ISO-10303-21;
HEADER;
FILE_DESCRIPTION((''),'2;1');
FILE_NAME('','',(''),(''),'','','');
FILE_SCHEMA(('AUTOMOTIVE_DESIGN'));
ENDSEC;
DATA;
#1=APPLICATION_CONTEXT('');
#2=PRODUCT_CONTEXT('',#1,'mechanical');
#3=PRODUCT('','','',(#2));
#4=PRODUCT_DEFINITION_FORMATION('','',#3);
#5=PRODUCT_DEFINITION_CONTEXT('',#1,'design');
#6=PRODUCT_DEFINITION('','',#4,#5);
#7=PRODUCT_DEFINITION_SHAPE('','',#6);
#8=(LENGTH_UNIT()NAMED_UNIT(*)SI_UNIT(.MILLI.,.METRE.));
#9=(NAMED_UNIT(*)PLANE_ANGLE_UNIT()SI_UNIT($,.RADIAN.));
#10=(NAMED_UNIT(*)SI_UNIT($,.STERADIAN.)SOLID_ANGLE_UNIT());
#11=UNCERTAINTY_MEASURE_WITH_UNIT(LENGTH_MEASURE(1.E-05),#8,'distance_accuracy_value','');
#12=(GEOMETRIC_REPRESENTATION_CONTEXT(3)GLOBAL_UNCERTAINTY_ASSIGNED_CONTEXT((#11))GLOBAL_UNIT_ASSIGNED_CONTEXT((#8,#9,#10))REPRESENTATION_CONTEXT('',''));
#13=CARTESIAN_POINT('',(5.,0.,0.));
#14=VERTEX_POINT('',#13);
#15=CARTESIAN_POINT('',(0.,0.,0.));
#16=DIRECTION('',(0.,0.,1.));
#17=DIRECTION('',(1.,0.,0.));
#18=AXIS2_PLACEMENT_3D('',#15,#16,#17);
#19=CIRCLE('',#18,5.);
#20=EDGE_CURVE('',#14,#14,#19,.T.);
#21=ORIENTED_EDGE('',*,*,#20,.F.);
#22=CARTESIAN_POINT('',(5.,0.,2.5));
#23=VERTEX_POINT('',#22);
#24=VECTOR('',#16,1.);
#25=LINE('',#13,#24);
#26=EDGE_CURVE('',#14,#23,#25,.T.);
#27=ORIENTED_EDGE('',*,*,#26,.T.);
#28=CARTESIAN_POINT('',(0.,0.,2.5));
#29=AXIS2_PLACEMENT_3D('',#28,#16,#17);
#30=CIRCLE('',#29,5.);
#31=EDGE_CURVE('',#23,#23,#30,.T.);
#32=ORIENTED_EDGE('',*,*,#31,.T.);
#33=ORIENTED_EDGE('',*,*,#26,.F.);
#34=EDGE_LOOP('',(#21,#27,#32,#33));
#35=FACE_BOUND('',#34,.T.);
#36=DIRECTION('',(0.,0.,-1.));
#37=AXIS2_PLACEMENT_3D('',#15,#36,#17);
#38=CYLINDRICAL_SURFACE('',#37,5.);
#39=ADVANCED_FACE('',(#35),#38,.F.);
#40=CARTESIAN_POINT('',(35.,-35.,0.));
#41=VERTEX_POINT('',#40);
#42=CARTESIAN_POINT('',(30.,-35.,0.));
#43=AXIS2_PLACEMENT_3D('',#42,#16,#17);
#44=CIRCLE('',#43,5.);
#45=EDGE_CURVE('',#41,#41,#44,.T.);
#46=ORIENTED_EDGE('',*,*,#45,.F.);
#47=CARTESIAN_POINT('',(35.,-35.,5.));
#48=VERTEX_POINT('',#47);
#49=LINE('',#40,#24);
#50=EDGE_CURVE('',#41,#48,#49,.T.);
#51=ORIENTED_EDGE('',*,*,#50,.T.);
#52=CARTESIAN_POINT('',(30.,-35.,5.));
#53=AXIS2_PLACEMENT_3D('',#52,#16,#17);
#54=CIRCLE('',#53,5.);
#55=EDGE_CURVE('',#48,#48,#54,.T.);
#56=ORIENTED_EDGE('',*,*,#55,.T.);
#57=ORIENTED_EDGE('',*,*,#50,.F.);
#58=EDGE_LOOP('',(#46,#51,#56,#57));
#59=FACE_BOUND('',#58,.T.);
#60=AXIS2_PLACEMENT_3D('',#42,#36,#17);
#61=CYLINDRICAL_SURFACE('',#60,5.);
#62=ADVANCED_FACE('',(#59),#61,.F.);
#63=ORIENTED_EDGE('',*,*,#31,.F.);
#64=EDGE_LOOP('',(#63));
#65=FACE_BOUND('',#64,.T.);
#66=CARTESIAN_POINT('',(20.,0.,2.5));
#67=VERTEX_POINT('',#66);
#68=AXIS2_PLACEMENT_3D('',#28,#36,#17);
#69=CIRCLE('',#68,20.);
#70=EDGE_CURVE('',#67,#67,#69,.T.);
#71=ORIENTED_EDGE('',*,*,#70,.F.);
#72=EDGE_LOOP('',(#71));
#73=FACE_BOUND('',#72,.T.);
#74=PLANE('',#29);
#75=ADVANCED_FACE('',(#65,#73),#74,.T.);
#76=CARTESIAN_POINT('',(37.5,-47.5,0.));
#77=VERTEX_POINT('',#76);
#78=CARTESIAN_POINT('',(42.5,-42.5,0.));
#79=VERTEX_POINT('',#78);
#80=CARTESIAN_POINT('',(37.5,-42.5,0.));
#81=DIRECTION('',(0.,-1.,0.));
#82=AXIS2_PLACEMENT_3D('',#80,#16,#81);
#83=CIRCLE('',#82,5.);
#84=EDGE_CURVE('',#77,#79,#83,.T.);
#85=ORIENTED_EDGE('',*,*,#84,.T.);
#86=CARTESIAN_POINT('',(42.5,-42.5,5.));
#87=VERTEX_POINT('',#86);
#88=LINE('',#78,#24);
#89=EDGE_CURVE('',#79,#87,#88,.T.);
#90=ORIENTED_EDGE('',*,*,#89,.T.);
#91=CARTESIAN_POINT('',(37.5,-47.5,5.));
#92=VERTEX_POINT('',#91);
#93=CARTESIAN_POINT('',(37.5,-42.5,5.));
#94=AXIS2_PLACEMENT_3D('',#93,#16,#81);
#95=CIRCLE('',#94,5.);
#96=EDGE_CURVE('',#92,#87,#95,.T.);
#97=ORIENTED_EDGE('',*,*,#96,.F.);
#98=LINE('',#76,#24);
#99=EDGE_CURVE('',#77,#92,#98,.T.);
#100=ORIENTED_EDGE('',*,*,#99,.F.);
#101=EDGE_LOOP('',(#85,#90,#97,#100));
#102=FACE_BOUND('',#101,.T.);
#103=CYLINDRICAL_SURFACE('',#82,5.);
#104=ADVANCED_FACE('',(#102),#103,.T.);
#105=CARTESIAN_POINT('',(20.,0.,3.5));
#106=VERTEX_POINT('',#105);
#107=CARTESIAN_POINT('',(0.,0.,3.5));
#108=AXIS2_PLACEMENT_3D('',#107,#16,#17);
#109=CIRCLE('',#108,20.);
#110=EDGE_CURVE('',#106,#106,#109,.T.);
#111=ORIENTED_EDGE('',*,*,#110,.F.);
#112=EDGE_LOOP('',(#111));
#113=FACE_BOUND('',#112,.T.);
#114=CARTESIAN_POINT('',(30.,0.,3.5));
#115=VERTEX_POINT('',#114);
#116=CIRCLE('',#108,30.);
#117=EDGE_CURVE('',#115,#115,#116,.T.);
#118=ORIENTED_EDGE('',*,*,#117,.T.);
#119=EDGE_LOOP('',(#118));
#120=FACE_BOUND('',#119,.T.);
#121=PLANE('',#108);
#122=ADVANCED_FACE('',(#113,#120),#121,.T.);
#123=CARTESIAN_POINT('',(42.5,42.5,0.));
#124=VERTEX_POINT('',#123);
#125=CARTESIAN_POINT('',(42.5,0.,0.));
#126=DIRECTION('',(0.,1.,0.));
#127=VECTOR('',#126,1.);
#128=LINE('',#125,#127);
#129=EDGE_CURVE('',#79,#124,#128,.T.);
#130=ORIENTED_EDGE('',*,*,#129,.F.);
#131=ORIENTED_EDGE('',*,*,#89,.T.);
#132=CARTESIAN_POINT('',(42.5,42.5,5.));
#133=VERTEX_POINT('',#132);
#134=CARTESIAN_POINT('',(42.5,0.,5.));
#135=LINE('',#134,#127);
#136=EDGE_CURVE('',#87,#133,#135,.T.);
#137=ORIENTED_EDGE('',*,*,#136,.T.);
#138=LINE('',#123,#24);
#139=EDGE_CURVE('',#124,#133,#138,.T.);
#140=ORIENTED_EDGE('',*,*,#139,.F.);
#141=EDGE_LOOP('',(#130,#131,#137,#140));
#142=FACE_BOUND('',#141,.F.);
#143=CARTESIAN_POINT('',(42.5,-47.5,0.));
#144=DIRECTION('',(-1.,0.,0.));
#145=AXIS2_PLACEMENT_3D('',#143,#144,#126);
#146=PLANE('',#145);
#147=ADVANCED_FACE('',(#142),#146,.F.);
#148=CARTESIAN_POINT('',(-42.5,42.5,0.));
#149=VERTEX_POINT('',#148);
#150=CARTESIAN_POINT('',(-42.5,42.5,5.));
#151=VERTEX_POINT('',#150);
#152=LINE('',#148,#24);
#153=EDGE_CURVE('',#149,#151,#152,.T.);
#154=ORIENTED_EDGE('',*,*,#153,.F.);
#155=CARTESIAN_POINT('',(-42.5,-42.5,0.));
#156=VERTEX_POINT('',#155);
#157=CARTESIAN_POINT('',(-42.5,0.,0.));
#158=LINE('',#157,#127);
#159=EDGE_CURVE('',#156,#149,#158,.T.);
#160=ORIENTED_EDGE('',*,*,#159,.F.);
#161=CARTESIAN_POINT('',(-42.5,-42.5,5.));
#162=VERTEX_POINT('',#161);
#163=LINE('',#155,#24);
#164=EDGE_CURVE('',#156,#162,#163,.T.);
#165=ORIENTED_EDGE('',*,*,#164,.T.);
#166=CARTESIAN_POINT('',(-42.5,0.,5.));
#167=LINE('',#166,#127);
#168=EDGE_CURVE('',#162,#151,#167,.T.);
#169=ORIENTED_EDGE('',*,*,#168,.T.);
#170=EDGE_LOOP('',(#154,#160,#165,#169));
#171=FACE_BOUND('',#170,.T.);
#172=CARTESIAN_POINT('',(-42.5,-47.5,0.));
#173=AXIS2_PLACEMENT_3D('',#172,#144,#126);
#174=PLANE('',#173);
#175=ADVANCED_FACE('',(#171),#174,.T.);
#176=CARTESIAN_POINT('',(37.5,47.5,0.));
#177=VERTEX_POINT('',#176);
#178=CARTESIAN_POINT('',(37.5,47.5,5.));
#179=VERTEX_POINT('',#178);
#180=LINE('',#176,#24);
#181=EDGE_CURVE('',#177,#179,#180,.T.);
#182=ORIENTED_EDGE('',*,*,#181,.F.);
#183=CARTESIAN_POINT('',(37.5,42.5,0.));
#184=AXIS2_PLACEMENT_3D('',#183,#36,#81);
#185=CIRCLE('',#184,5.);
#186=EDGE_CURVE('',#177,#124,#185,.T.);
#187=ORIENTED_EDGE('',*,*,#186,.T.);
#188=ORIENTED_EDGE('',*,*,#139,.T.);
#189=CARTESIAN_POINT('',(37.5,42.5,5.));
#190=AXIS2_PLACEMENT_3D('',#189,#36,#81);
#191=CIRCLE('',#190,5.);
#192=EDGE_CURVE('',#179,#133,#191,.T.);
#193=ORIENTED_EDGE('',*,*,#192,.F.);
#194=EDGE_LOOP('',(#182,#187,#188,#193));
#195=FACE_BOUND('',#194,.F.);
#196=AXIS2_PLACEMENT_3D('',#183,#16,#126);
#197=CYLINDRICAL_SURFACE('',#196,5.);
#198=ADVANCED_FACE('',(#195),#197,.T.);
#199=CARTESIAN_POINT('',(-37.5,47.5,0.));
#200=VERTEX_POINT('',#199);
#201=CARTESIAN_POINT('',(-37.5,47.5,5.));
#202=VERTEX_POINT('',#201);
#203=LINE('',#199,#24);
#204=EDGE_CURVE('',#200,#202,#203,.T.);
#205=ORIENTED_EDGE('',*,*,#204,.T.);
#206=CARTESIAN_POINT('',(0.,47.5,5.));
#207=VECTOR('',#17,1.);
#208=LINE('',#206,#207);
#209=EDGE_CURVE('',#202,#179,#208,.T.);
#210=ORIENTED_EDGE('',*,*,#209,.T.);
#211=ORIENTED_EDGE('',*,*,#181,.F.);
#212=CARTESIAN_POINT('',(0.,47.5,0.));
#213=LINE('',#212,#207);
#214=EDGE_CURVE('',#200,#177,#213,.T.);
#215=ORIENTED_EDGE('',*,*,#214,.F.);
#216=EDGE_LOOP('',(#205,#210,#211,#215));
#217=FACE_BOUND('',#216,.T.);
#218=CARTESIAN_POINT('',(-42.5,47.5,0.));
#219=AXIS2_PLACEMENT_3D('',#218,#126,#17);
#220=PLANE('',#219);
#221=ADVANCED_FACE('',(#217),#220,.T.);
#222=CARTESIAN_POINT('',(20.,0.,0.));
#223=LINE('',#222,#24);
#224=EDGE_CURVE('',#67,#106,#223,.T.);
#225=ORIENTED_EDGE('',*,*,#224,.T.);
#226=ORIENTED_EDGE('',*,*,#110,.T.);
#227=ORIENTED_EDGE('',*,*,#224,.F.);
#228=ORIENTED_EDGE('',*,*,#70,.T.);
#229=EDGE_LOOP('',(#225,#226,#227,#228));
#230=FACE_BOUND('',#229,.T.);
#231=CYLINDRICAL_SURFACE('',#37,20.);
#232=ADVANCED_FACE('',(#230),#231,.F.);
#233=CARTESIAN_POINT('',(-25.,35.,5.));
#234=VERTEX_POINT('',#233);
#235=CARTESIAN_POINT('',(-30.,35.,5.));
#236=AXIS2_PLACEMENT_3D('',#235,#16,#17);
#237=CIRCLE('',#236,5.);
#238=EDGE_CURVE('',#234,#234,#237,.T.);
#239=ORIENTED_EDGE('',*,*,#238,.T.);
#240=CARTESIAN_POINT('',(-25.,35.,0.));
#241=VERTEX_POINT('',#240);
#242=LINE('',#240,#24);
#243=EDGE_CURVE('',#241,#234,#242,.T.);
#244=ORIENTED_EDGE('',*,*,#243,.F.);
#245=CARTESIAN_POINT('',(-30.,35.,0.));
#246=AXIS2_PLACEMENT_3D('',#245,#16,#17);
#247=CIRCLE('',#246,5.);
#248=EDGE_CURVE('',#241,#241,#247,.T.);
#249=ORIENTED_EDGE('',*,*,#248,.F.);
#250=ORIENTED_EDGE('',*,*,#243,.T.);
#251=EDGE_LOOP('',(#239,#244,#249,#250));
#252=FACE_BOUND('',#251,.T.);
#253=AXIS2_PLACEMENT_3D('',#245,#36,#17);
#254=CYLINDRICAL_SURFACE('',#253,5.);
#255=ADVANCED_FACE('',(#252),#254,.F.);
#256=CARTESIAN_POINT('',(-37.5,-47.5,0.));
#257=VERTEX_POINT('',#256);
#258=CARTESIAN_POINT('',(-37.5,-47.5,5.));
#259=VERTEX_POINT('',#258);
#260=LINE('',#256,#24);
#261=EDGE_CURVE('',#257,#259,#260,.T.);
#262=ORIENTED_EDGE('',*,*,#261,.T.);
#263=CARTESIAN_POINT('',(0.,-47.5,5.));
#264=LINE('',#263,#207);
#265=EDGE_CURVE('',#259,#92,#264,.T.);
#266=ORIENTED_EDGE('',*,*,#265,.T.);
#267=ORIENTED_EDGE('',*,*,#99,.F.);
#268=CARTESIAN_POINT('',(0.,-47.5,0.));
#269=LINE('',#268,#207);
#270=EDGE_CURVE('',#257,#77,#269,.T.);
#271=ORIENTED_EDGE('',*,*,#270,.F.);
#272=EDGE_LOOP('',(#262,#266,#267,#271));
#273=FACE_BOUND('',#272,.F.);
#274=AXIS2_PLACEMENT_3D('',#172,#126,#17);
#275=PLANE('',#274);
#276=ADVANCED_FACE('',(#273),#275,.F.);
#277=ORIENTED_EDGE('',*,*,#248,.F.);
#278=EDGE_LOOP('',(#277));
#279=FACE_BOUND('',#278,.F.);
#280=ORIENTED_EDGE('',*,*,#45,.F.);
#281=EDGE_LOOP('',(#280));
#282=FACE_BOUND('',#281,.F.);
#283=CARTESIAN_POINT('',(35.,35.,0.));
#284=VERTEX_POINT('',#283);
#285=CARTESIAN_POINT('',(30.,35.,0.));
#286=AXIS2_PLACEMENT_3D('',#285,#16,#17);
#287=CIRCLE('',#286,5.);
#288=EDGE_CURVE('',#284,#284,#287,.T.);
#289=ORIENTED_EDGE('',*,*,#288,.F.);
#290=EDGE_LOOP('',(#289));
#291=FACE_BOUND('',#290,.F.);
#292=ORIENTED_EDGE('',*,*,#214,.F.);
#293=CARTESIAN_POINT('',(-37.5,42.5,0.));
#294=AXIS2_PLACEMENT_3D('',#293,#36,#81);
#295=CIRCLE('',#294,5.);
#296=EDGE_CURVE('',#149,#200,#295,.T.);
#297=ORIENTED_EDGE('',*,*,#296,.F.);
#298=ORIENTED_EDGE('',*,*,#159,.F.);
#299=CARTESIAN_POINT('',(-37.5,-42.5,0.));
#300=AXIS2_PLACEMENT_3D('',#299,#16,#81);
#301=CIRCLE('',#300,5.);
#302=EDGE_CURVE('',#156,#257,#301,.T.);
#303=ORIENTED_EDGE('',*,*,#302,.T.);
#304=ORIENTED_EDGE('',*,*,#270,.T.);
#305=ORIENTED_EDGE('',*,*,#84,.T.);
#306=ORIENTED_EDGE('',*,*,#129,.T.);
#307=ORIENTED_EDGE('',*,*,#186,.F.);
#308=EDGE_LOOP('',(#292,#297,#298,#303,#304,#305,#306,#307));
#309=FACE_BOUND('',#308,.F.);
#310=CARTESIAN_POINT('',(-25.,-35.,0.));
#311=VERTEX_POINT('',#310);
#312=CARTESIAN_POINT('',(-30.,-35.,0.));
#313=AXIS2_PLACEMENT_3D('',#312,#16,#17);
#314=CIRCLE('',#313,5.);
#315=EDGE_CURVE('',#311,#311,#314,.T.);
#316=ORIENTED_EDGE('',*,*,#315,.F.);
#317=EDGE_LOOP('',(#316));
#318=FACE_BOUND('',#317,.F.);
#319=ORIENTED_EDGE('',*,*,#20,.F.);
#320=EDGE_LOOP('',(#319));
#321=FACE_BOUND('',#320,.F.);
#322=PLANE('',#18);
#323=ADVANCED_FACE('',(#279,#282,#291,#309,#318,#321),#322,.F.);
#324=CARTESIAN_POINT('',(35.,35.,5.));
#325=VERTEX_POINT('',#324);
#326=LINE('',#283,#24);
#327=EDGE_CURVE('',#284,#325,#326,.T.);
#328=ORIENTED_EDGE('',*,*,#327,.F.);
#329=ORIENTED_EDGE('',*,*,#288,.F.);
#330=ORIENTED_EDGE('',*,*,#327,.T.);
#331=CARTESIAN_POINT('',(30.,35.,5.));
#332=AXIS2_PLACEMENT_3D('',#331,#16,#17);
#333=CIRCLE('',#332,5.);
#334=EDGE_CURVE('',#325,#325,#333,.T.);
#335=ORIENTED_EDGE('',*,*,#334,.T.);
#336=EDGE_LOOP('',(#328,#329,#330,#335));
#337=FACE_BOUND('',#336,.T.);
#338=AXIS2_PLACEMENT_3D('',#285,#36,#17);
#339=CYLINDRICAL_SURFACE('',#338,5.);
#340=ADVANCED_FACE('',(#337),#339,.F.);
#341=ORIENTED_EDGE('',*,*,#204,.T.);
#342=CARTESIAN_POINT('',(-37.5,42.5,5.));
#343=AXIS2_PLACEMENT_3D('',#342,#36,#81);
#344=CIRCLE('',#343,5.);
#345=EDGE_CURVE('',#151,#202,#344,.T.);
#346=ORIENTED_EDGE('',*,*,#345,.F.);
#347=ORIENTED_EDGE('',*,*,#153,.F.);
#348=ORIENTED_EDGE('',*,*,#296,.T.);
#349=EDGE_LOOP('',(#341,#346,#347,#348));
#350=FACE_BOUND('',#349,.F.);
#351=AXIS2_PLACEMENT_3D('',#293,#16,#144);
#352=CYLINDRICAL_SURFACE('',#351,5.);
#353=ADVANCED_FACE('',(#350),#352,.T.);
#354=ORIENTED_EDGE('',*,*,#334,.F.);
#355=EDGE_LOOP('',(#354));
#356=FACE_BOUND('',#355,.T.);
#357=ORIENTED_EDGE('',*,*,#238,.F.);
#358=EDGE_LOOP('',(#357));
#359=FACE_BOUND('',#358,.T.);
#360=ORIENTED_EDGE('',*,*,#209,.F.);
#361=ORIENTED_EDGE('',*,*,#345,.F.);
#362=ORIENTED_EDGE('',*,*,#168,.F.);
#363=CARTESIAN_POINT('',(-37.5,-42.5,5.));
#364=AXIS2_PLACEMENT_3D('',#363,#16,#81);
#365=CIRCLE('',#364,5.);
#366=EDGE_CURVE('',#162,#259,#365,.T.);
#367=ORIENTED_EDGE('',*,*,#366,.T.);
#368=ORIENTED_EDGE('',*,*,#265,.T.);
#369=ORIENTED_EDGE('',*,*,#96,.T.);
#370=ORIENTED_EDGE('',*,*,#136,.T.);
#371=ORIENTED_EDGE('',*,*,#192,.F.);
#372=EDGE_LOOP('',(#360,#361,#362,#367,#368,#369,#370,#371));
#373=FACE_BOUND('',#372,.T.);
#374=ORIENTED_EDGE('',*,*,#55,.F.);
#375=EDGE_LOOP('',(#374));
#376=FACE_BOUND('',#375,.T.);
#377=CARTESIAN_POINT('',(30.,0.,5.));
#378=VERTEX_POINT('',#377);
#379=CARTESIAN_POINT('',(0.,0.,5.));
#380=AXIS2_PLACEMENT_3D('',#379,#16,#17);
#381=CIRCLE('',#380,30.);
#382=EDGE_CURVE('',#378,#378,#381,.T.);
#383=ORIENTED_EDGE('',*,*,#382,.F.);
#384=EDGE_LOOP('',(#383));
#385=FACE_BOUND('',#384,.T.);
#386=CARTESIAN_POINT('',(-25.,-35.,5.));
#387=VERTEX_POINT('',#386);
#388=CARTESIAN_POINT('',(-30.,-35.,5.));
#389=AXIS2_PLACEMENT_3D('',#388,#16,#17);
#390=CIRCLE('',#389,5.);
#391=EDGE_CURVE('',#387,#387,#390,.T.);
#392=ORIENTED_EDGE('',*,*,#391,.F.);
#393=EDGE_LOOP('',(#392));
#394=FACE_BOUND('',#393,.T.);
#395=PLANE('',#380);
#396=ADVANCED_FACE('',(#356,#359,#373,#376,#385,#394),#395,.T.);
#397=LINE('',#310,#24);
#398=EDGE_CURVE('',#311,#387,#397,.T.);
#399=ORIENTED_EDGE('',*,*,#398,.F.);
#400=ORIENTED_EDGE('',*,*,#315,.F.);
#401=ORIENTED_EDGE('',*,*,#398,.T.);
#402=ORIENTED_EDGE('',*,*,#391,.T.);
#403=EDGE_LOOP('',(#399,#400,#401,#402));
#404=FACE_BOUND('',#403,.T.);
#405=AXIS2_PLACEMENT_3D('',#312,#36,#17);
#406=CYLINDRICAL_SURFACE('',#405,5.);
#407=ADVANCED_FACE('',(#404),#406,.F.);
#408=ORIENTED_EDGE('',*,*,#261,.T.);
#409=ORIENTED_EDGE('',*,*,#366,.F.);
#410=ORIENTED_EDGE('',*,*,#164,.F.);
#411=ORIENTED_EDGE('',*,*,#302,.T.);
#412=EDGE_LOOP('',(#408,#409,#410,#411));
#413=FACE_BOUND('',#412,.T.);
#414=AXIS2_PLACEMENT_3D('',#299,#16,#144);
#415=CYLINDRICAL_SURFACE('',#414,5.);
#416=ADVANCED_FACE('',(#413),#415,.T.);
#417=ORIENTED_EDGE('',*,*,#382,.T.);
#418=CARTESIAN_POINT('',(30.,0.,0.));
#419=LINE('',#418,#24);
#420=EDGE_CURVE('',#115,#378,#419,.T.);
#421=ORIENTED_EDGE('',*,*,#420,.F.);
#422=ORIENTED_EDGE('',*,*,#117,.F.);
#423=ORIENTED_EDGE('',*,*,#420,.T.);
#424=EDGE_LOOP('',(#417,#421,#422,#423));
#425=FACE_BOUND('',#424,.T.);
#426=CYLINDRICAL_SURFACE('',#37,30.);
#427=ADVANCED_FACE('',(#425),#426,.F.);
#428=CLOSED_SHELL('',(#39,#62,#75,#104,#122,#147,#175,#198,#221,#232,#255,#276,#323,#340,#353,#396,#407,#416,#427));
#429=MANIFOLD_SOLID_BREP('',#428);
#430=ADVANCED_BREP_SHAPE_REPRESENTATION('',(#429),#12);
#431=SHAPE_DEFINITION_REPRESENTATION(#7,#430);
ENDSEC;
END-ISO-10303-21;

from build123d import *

# Parameters (mm, degrees)
F0_W     = 85
F0_H     = 95
F0_R     = 5
F0_R_2   = 30
F1_DEPTH = 5
F0_R_3   = 20
F2_DEPTH = 2.5
F3_DEPTH = 3.5
F4_R     = 5


with BuildPart() as f1:
    # F0 (on Top) → F1 (new body)
    with BuildSketch(Plane.XY):
        Rectangle(F0_W, F0_H)
        with Locations((-30, -35)):
            Circle(F0_R, mode=Mode.SUBTRACT)
        with Locations((30, -35)):
            Circle(F0_R, mode=Mode.SUBTRACT)
        with Locations((-30, 35)):
            Circle(F0_R, mode=Mode.SUBTRACT)
        Circle(F0_R_2, mode=Mode.SUBTRACT)
        with Locations((30, 35)):
            Circle(F0_R, mode=Mode.SUBTRACT)
    extrude(amount=F1_DEPTH)

    # F0 (on Top) → F2 (join)
    with BuildSketch(Plane.XY):
        Circle(F0_R_2)
        Circle(F0_R_3, mode=Mode.SUBTRACT)
        Circle(F0_R_3)
        Circle(F0_R, mode=Mode.SUBTRACT)
    extrude(amount=F2_DEPTH)

    # F0 (on Top) → F3 (join)
    with BuildSketch(Plane.XY):
        Circle(F0_R_2)
        Circle(F0_R_3, mode=Mode.SUBTRACT)
    extrude(amount=F3_DEPTH)

    # F4
    f4_edges = [f1.edges().sort_by_distance(p)[0] for p in [
        (-42.5, -47.5, 2.5),
        (42.5, -47.5, 2.5),
        (42.5, 47.5, 2.5),
        (-42.5, 47.5, 2.5),
    ]]
    fillet(f4_edges, radius=F4_R)


solid = f1.part
